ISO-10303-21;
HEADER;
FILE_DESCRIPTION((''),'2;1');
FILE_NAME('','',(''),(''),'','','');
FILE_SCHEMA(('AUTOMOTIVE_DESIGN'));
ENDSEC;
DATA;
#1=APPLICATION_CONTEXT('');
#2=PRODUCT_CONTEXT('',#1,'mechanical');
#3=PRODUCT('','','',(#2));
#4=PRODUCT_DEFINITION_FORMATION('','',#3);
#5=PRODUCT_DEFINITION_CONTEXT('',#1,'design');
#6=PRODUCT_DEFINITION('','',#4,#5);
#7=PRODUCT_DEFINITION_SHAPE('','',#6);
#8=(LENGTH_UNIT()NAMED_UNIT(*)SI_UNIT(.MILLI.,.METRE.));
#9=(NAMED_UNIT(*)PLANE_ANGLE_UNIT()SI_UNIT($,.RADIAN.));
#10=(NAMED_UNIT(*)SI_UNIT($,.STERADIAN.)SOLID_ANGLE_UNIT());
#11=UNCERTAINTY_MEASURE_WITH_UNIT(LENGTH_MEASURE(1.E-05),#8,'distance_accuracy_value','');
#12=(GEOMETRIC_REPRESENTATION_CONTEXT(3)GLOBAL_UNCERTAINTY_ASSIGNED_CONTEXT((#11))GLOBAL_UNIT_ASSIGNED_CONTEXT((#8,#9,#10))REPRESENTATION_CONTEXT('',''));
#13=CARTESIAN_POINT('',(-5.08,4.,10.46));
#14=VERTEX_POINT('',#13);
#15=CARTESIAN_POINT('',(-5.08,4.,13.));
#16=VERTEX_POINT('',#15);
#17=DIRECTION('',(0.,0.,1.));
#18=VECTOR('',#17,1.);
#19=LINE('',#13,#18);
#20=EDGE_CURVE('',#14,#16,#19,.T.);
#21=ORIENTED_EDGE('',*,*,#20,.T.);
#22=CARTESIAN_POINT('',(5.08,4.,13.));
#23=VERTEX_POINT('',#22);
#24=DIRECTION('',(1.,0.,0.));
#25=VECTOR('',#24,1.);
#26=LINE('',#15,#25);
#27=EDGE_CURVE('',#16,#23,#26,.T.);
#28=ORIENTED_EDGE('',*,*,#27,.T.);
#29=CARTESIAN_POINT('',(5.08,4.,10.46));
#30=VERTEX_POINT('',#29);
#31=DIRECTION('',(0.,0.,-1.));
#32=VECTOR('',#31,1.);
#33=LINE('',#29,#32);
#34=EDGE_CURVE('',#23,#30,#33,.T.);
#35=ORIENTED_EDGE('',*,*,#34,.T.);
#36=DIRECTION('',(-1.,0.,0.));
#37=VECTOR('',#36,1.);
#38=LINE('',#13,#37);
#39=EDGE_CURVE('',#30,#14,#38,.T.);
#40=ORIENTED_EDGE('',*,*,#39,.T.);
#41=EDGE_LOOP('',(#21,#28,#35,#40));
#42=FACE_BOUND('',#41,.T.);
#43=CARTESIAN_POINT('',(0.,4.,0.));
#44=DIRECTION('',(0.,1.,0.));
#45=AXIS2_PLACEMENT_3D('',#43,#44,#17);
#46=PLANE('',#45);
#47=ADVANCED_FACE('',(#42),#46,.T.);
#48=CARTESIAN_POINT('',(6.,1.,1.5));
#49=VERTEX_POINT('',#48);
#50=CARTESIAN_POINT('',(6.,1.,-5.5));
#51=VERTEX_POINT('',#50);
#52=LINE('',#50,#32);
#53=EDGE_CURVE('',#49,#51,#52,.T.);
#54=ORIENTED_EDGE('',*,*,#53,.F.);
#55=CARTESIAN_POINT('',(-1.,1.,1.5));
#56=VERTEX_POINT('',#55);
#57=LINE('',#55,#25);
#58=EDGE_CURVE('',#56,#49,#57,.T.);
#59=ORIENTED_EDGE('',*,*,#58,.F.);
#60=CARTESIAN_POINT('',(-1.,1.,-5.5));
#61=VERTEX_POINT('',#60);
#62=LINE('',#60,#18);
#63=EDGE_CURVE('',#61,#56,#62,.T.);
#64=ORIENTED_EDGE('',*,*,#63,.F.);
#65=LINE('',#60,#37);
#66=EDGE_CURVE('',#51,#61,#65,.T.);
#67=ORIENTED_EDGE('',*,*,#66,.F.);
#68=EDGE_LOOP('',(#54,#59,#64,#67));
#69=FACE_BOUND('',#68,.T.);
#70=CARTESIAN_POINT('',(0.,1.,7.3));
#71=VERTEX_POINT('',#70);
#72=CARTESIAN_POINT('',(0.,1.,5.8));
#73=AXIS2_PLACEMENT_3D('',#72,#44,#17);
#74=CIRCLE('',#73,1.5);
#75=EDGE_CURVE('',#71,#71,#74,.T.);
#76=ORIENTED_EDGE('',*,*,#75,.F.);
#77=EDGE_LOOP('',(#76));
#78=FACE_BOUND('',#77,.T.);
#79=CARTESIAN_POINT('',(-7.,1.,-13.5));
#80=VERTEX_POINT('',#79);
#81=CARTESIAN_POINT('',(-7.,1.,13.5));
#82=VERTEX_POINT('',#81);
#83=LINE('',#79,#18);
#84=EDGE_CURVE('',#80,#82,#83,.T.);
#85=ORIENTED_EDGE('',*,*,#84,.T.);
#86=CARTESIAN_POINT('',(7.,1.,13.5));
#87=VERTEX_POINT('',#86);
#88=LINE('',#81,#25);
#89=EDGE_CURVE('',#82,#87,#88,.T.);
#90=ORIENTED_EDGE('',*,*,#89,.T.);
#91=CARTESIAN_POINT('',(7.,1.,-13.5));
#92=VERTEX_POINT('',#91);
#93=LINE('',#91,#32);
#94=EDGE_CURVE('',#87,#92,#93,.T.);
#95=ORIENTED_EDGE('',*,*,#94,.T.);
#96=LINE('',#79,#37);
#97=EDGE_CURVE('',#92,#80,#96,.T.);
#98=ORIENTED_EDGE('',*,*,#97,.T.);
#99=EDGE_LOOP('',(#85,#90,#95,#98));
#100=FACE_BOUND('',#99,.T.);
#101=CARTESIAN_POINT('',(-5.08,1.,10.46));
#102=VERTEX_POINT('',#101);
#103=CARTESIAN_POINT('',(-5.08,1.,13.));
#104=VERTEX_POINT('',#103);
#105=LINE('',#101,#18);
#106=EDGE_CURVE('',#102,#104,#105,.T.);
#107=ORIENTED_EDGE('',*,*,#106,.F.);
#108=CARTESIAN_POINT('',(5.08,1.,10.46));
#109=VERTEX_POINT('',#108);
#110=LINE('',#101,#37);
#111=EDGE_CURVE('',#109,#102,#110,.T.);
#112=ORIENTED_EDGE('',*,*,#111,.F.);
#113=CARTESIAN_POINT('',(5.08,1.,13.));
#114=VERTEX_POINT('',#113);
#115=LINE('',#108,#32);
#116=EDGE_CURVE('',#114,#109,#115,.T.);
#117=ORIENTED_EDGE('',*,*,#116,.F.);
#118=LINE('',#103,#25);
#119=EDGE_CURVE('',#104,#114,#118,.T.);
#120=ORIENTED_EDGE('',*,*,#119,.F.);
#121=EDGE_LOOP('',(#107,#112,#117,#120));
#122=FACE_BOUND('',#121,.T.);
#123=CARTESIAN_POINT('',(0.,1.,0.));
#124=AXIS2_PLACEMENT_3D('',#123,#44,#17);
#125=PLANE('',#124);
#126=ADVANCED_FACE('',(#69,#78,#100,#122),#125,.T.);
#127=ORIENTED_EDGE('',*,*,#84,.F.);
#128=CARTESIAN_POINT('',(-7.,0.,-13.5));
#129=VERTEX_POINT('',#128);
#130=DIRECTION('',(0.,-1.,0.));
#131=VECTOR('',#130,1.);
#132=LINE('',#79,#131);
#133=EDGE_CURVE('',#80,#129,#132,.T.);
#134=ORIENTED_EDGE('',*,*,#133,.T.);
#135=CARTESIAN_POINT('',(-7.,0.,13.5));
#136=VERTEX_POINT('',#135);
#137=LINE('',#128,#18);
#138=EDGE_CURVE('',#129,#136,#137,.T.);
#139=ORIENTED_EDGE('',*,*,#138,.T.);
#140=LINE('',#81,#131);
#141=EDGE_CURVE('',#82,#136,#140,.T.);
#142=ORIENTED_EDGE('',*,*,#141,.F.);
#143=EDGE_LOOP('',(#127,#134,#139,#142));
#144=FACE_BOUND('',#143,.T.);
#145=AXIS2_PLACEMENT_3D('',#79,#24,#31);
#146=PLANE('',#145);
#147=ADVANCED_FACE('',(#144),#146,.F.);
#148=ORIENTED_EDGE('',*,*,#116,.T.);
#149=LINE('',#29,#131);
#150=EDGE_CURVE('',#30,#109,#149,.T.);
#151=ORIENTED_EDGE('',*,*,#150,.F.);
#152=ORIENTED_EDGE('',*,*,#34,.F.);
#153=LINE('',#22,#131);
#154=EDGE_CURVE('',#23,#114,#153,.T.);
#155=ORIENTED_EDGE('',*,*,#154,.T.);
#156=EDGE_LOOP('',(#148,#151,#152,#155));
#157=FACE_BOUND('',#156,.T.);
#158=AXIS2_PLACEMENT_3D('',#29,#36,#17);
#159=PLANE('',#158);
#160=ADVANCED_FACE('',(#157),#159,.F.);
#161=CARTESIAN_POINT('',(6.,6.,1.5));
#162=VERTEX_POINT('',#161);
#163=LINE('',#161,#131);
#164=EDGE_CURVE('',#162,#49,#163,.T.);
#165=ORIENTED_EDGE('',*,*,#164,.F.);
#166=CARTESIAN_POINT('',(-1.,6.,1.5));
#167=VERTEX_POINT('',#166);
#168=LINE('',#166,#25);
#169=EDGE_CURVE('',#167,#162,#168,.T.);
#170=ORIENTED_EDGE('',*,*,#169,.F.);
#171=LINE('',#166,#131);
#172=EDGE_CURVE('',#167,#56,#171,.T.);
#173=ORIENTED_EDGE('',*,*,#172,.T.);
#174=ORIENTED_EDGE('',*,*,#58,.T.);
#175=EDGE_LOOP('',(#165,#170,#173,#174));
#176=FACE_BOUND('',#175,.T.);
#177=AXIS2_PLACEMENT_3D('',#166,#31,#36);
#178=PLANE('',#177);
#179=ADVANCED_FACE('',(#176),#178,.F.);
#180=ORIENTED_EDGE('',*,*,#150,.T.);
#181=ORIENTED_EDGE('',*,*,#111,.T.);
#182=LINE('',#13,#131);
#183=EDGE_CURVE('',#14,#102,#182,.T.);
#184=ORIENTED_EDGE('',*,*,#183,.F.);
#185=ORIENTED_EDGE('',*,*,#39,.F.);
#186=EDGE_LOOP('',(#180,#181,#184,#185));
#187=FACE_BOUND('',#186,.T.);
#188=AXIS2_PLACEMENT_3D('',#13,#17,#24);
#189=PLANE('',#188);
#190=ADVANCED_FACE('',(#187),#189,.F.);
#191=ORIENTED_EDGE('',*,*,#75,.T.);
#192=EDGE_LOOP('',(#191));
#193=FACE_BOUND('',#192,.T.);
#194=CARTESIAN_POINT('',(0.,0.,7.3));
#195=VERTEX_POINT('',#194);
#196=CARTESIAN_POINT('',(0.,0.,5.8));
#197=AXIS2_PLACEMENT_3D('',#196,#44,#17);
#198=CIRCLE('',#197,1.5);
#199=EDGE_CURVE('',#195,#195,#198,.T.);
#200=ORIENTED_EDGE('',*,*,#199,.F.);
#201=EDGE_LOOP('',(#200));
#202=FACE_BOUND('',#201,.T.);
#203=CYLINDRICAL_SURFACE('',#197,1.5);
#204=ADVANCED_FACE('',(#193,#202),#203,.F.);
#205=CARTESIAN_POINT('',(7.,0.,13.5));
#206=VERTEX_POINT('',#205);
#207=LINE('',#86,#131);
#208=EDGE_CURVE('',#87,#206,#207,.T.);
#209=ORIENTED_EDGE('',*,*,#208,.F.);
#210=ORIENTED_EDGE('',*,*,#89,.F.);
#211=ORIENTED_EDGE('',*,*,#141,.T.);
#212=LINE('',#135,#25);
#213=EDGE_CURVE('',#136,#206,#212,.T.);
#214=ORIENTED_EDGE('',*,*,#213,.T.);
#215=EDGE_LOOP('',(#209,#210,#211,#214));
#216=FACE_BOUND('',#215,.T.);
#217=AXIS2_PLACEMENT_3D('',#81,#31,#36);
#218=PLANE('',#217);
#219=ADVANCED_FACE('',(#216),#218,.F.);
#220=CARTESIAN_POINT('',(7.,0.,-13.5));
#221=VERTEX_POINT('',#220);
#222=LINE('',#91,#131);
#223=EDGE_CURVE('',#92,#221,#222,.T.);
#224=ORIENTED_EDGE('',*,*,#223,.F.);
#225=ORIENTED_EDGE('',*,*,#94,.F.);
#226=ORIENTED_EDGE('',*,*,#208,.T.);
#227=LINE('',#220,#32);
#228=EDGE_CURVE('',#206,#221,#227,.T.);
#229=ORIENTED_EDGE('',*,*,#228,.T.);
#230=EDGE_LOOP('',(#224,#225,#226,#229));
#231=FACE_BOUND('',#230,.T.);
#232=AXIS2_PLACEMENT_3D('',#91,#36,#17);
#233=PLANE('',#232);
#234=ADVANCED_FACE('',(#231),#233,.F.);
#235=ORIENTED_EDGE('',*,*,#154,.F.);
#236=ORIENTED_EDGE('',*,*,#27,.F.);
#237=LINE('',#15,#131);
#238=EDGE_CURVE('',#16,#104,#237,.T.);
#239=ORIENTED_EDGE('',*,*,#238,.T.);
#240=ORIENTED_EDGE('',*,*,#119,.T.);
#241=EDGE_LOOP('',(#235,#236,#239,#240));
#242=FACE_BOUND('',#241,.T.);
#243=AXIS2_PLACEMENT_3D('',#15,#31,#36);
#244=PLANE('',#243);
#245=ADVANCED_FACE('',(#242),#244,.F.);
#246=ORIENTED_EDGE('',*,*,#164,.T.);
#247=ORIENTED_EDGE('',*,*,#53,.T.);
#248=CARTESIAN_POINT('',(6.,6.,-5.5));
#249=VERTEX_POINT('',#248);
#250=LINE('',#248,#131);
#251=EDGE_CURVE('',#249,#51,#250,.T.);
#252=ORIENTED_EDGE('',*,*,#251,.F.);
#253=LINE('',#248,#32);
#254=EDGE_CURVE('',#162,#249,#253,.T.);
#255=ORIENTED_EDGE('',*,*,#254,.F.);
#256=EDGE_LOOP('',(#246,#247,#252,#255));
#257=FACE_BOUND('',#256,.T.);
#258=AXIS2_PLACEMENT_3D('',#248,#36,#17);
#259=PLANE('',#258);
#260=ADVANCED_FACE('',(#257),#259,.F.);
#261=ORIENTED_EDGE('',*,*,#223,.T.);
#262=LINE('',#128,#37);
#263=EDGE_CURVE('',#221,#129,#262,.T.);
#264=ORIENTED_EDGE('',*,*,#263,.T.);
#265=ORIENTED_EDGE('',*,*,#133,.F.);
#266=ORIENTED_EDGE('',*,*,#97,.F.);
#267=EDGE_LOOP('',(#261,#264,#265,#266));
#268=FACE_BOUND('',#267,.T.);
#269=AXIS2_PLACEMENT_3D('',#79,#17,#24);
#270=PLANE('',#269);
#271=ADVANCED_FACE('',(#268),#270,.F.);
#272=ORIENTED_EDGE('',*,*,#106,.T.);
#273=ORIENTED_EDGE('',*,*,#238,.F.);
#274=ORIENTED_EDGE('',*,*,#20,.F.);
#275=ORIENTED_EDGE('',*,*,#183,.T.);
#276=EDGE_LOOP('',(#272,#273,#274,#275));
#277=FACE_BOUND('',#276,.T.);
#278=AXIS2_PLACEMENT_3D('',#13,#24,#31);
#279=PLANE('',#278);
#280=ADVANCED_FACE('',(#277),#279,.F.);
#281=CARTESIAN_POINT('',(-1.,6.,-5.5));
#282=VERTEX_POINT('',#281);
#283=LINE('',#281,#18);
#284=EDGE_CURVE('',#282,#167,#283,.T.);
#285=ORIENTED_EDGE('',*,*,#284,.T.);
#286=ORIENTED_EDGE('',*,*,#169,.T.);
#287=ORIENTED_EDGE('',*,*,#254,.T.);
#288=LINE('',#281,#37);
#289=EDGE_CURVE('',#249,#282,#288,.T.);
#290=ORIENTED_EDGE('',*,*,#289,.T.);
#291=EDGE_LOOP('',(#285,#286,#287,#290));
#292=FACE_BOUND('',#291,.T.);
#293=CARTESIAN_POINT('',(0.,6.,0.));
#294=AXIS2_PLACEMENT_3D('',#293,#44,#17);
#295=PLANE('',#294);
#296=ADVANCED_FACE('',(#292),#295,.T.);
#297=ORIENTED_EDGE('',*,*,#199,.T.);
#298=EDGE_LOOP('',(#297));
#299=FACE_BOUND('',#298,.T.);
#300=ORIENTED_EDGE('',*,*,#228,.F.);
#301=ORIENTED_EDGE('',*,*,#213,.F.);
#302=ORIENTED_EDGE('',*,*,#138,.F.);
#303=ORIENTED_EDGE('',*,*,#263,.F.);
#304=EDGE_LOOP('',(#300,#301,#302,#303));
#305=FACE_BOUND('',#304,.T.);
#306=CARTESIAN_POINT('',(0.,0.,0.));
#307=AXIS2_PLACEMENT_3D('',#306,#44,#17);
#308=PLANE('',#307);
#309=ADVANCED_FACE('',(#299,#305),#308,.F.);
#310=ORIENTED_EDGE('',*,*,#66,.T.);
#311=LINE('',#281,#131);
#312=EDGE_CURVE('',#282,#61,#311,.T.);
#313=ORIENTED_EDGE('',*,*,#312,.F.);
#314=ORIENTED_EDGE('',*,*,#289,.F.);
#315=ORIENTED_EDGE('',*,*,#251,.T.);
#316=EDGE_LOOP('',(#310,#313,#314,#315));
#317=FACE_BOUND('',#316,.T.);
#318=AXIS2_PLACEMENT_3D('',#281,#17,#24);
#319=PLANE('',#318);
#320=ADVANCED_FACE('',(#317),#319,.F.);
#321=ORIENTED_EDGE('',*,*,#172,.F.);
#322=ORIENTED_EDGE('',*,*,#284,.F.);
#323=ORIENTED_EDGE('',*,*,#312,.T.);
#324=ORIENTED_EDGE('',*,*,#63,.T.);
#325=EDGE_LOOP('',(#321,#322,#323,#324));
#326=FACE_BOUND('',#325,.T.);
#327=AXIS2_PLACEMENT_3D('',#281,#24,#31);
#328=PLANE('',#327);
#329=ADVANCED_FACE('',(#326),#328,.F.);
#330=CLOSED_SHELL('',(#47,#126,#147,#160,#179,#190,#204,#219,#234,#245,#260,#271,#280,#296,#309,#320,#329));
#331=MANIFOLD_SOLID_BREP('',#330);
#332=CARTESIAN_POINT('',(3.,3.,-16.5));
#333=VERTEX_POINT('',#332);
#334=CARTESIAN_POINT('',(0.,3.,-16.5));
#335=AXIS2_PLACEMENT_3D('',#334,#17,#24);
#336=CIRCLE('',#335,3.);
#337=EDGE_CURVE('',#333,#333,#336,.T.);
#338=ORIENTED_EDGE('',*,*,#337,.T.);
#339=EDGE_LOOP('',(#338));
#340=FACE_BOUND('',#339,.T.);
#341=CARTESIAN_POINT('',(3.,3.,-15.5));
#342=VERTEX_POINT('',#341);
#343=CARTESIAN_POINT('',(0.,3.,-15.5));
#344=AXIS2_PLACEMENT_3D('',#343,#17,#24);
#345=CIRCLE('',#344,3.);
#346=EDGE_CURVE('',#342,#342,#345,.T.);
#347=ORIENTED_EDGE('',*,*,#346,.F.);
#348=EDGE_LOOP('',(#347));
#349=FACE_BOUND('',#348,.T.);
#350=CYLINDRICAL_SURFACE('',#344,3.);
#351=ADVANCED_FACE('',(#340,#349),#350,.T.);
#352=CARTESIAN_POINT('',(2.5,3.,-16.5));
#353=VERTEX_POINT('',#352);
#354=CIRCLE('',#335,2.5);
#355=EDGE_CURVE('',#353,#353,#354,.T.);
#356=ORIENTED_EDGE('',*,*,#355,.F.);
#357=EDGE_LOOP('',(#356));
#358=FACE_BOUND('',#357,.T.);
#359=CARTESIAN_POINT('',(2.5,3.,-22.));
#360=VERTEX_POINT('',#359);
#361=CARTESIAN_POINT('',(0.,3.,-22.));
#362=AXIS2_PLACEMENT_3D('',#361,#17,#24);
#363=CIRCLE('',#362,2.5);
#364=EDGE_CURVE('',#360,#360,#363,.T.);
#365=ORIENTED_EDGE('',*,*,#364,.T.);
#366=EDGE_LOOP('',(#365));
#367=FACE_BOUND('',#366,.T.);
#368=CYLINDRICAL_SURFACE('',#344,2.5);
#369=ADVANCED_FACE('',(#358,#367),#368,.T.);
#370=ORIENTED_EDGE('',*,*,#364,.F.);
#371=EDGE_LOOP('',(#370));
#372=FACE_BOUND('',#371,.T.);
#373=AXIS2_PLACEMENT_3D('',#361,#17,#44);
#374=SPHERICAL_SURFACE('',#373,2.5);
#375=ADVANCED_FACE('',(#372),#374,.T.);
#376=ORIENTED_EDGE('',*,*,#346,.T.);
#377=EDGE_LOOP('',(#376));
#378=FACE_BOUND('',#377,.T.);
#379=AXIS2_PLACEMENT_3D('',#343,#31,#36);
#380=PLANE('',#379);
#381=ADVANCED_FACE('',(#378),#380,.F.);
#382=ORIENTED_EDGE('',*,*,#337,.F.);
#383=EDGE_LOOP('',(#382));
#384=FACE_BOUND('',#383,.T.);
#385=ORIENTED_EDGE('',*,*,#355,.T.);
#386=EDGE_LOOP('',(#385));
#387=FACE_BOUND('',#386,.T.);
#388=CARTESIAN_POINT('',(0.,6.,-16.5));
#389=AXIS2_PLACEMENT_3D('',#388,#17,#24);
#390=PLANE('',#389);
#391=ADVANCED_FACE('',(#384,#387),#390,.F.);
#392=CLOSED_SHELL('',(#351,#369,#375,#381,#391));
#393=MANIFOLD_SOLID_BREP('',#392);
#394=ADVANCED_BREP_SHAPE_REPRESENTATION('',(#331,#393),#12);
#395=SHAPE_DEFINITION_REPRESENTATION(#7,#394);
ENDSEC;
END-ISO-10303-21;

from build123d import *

# Parameters (mm, degrees)
SKETCH1_W           = 14
SKETCH1_H           = 27
BOSS_EXTRUDE1_DEPTH = 1
SKETCH2_R           = 1.5
CUT_EXTRUDE1_DEPTH  = 16.239750654
SKETCH3_W           = 7
SKETCH3_H           = 7
BOSS_EXTRUDE2_DEPTH = 5
SKETCH4_W           = 10.16
SKETCH4_H           = 2.54
BOSS_EXTRUDE3_DEPTH = 3


with BuildPart() as part:
    # Sketch1 → Boss-Extrude1 (new body)
    with BuildSketch(Plane(origin=(0, 0, 0), x_dir=(1, 0, 0), z_dir=(0, 1, 0))):
        Rectangle(SKETCH1_W, SKETCH1_H)
    extrude(amount=BOSS_EXTRUDE1_DEPTH)

    # Sketch2 → Cut-Extrude1 (cut, through all)
    with BuildSketch(Plane(origin=(0, 1, 0), x_dir=(1, 0, 0), z_dir=(0, 1, 0))):
        with Locations(Location((0, -5.8, 0), (0, 0, 270))):
            Circle(SKETCH2_R)
    extrude(amount=-CUT_EXTRUDE1_DEPTH, mode=Mode.SUBTRACT)

    # Sketch3 → Boss-Extrude2 (add)
    with BuildSketch(Plane(origin=(0, 1, 0), x_dir=(1, 0, 0), z_dir=(0, 1, 0))):
        with Locations((2.5, 2)):
            Rectangle(SKETCH3_W, SKETCH3_H)
    extrude(amount=BOSS_EXTRUDE2_DEPTH)

    # Sketch4 → Boss-Extrude3 (add)
    with BuildSketch(Plane(origin=(0, 1, 0), x_dir=(1, 0, 0), z_dir=(0, 1, 0))):
        with Locations((0, -11.73)):
            Rectangle(SKETCH4_W, SKETCH4_H)
    extrude(amount=BOSS_EXTRUDE3_DEPTH)


with BuildPart() as body_2:
    # Sketch5 → Revolve1 (revolve)
    with BuildSketch(Plane(origin=(0, 0, 0), x_dir=(0, 0, -1), z_dir=(1, 0, 0)), mode=Mode.PRIVATE) as revolve1_sk:
        with BuildLine():
            Line((15.5, 3), (15.5, 6))
            Line((15.5, 6), (16.5, 6))
            Line((16.5, 6), (16.5, 5.5))
            Line((16.5, 5.5), (22, 5.5))
            ThreePointArc((22, 5.5), (23.767766953, 4.767766953), (24.5, 3))
            Line((24.5, 3), (15.5, 3))
        make_face()
    revolve(revolve1_sk.sketch.rotate(Axis((0, 3, -15.5), (0, 0, -1)), 90), axis=Axis((0, 3, -15.5), (0, 0, -1)))


solid = Compound([part.part, body_2.part])
